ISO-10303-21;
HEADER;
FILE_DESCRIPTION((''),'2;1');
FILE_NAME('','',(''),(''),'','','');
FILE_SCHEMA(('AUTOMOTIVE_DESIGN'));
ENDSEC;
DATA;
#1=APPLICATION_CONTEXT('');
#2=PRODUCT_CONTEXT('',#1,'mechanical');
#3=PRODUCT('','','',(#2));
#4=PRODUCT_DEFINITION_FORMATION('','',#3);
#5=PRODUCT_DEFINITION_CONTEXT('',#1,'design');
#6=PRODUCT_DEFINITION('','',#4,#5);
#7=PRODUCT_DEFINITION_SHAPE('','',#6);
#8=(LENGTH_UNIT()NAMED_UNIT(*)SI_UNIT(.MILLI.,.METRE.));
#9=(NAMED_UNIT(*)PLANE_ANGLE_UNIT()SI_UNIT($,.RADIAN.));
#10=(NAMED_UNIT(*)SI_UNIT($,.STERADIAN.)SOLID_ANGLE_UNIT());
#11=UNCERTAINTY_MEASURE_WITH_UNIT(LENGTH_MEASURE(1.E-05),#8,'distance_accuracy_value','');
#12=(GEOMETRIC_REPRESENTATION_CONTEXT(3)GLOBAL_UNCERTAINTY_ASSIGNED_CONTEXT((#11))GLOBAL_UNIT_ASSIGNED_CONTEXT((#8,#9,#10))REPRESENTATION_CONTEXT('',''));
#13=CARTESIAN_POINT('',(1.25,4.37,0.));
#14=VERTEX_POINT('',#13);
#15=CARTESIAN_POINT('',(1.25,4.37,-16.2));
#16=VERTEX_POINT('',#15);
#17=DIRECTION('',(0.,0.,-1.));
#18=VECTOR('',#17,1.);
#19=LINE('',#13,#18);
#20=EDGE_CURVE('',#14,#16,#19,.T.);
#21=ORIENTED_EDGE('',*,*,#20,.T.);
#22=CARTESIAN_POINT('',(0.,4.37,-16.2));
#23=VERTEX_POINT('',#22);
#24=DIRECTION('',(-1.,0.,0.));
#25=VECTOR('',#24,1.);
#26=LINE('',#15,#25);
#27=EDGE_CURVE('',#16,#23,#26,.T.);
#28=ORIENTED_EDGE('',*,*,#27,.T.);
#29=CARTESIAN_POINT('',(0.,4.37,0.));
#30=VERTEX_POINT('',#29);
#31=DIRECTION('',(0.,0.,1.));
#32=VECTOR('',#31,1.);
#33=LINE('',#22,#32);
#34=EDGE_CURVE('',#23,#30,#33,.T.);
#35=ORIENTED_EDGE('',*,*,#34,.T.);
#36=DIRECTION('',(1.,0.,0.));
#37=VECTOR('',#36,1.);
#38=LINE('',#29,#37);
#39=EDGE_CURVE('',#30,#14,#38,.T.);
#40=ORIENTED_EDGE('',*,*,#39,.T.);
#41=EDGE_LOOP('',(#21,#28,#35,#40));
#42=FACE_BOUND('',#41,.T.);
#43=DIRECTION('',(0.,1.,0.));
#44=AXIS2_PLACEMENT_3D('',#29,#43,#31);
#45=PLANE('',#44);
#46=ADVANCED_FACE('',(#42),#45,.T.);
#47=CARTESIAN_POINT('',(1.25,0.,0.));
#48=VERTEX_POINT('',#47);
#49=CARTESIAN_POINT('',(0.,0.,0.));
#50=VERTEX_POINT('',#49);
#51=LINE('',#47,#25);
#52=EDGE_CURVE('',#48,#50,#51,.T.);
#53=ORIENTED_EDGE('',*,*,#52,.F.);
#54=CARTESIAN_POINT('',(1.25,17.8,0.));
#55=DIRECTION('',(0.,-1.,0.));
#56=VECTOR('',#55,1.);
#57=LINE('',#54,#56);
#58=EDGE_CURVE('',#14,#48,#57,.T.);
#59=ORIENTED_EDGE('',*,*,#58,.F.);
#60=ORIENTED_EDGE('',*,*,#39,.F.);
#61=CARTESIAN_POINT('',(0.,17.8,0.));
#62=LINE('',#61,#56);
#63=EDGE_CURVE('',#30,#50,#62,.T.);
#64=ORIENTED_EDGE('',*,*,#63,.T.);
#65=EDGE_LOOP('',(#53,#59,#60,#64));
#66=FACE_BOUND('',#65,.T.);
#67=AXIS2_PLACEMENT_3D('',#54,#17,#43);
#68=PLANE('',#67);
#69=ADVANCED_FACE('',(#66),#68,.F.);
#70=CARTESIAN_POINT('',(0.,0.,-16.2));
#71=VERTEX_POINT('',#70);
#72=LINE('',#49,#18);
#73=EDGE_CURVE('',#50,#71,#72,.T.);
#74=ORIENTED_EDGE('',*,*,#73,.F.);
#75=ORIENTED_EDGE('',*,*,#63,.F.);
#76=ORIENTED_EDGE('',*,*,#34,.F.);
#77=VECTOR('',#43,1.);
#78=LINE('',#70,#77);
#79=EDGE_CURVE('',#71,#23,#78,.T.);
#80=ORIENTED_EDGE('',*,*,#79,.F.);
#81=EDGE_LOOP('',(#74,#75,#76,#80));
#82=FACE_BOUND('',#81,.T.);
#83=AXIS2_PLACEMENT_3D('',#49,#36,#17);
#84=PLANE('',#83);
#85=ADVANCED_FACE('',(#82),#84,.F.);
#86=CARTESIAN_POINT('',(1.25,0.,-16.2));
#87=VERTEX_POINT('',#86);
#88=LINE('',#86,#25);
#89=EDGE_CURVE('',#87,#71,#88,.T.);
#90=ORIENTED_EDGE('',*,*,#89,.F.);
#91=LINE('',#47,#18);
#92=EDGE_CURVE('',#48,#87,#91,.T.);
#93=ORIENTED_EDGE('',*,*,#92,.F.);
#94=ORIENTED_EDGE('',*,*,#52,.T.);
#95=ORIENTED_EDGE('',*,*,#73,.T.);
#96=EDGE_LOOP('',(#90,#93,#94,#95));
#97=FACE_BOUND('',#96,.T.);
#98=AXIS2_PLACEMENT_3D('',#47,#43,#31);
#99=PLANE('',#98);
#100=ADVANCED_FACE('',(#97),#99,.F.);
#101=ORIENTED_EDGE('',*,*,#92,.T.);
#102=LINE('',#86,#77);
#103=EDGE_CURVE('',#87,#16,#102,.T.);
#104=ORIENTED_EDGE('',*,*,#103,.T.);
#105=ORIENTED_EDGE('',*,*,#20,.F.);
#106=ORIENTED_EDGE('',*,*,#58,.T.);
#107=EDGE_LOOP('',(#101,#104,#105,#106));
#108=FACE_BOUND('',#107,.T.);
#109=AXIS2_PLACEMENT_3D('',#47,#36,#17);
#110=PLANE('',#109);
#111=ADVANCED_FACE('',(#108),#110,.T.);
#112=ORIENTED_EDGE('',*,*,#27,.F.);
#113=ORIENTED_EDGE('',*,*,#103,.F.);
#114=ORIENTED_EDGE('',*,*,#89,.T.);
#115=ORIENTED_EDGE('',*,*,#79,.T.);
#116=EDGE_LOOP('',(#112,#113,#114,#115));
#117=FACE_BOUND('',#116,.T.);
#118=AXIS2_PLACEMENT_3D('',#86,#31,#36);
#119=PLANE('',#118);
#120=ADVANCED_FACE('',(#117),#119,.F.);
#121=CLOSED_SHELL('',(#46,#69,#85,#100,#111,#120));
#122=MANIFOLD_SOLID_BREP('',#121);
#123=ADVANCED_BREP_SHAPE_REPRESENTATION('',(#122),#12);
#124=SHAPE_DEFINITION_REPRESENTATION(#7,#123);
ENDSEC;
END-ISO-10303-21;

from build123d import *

# Parameters (mm, degrees)
BOSS_EXTRUDE1_DEPTH = 1.25
SKETCH2_W           = 16.2
SKETCH2_H           = 13.83
CUT_EXTRUDE1_DEPTH  = 1.25
SKETCH3_W           = 1.25
SKETCH3_H           = 16.2
BOSS_EXTRUDE2_DEPTH = 0.4


with BuildPart() as part:
    # Sketch1 → Boss-Extrude1 (new body)
    with BuildSketch(Plane(origin=(0, 0, 0), x_dir=(0, 0, -1), z_dir=(1, 0, 0))):
        Polygon((0, 0), (16.2, 0), (16.2, 17.8), (15.6, 17.8), (15.6, 3.97), (0.6, 3.97), (0.6, 17.8), (0, 17.8), align=None)
    extrude(amount=BOSS_EXTRUDE1_DEPTH)

    # Sketch2 → Cut-Extrude1 (cut)
    with BuildSketch(Plane(origin=(1.25, 0, 0), x_dir=(0, 0, -1), z_dir=(1, 0, 0))):
        with Locations((8.1, 10.885)):
            Rectangle(SKETCH2_W, SKETCH2_H)
    extrude(amount=-CUT_EXTRUDE1_DEPTH, mode=Mode.SUBTRACT)

    # Sketch3 → Boss-Extrude2 (add)
    with BuildSketch(Plane(origin=(0, 3.97, 0), x_dir=(1, 0, 0), z_dir=(0, 1, 0))):
        with Locations((0.625, 8.1)):
            Rectangle(SKETCH3_W, SKETCH3_H)
    extrude(amount=BOSS_EXTRUDE2_DEPTH)


solid = part.part
